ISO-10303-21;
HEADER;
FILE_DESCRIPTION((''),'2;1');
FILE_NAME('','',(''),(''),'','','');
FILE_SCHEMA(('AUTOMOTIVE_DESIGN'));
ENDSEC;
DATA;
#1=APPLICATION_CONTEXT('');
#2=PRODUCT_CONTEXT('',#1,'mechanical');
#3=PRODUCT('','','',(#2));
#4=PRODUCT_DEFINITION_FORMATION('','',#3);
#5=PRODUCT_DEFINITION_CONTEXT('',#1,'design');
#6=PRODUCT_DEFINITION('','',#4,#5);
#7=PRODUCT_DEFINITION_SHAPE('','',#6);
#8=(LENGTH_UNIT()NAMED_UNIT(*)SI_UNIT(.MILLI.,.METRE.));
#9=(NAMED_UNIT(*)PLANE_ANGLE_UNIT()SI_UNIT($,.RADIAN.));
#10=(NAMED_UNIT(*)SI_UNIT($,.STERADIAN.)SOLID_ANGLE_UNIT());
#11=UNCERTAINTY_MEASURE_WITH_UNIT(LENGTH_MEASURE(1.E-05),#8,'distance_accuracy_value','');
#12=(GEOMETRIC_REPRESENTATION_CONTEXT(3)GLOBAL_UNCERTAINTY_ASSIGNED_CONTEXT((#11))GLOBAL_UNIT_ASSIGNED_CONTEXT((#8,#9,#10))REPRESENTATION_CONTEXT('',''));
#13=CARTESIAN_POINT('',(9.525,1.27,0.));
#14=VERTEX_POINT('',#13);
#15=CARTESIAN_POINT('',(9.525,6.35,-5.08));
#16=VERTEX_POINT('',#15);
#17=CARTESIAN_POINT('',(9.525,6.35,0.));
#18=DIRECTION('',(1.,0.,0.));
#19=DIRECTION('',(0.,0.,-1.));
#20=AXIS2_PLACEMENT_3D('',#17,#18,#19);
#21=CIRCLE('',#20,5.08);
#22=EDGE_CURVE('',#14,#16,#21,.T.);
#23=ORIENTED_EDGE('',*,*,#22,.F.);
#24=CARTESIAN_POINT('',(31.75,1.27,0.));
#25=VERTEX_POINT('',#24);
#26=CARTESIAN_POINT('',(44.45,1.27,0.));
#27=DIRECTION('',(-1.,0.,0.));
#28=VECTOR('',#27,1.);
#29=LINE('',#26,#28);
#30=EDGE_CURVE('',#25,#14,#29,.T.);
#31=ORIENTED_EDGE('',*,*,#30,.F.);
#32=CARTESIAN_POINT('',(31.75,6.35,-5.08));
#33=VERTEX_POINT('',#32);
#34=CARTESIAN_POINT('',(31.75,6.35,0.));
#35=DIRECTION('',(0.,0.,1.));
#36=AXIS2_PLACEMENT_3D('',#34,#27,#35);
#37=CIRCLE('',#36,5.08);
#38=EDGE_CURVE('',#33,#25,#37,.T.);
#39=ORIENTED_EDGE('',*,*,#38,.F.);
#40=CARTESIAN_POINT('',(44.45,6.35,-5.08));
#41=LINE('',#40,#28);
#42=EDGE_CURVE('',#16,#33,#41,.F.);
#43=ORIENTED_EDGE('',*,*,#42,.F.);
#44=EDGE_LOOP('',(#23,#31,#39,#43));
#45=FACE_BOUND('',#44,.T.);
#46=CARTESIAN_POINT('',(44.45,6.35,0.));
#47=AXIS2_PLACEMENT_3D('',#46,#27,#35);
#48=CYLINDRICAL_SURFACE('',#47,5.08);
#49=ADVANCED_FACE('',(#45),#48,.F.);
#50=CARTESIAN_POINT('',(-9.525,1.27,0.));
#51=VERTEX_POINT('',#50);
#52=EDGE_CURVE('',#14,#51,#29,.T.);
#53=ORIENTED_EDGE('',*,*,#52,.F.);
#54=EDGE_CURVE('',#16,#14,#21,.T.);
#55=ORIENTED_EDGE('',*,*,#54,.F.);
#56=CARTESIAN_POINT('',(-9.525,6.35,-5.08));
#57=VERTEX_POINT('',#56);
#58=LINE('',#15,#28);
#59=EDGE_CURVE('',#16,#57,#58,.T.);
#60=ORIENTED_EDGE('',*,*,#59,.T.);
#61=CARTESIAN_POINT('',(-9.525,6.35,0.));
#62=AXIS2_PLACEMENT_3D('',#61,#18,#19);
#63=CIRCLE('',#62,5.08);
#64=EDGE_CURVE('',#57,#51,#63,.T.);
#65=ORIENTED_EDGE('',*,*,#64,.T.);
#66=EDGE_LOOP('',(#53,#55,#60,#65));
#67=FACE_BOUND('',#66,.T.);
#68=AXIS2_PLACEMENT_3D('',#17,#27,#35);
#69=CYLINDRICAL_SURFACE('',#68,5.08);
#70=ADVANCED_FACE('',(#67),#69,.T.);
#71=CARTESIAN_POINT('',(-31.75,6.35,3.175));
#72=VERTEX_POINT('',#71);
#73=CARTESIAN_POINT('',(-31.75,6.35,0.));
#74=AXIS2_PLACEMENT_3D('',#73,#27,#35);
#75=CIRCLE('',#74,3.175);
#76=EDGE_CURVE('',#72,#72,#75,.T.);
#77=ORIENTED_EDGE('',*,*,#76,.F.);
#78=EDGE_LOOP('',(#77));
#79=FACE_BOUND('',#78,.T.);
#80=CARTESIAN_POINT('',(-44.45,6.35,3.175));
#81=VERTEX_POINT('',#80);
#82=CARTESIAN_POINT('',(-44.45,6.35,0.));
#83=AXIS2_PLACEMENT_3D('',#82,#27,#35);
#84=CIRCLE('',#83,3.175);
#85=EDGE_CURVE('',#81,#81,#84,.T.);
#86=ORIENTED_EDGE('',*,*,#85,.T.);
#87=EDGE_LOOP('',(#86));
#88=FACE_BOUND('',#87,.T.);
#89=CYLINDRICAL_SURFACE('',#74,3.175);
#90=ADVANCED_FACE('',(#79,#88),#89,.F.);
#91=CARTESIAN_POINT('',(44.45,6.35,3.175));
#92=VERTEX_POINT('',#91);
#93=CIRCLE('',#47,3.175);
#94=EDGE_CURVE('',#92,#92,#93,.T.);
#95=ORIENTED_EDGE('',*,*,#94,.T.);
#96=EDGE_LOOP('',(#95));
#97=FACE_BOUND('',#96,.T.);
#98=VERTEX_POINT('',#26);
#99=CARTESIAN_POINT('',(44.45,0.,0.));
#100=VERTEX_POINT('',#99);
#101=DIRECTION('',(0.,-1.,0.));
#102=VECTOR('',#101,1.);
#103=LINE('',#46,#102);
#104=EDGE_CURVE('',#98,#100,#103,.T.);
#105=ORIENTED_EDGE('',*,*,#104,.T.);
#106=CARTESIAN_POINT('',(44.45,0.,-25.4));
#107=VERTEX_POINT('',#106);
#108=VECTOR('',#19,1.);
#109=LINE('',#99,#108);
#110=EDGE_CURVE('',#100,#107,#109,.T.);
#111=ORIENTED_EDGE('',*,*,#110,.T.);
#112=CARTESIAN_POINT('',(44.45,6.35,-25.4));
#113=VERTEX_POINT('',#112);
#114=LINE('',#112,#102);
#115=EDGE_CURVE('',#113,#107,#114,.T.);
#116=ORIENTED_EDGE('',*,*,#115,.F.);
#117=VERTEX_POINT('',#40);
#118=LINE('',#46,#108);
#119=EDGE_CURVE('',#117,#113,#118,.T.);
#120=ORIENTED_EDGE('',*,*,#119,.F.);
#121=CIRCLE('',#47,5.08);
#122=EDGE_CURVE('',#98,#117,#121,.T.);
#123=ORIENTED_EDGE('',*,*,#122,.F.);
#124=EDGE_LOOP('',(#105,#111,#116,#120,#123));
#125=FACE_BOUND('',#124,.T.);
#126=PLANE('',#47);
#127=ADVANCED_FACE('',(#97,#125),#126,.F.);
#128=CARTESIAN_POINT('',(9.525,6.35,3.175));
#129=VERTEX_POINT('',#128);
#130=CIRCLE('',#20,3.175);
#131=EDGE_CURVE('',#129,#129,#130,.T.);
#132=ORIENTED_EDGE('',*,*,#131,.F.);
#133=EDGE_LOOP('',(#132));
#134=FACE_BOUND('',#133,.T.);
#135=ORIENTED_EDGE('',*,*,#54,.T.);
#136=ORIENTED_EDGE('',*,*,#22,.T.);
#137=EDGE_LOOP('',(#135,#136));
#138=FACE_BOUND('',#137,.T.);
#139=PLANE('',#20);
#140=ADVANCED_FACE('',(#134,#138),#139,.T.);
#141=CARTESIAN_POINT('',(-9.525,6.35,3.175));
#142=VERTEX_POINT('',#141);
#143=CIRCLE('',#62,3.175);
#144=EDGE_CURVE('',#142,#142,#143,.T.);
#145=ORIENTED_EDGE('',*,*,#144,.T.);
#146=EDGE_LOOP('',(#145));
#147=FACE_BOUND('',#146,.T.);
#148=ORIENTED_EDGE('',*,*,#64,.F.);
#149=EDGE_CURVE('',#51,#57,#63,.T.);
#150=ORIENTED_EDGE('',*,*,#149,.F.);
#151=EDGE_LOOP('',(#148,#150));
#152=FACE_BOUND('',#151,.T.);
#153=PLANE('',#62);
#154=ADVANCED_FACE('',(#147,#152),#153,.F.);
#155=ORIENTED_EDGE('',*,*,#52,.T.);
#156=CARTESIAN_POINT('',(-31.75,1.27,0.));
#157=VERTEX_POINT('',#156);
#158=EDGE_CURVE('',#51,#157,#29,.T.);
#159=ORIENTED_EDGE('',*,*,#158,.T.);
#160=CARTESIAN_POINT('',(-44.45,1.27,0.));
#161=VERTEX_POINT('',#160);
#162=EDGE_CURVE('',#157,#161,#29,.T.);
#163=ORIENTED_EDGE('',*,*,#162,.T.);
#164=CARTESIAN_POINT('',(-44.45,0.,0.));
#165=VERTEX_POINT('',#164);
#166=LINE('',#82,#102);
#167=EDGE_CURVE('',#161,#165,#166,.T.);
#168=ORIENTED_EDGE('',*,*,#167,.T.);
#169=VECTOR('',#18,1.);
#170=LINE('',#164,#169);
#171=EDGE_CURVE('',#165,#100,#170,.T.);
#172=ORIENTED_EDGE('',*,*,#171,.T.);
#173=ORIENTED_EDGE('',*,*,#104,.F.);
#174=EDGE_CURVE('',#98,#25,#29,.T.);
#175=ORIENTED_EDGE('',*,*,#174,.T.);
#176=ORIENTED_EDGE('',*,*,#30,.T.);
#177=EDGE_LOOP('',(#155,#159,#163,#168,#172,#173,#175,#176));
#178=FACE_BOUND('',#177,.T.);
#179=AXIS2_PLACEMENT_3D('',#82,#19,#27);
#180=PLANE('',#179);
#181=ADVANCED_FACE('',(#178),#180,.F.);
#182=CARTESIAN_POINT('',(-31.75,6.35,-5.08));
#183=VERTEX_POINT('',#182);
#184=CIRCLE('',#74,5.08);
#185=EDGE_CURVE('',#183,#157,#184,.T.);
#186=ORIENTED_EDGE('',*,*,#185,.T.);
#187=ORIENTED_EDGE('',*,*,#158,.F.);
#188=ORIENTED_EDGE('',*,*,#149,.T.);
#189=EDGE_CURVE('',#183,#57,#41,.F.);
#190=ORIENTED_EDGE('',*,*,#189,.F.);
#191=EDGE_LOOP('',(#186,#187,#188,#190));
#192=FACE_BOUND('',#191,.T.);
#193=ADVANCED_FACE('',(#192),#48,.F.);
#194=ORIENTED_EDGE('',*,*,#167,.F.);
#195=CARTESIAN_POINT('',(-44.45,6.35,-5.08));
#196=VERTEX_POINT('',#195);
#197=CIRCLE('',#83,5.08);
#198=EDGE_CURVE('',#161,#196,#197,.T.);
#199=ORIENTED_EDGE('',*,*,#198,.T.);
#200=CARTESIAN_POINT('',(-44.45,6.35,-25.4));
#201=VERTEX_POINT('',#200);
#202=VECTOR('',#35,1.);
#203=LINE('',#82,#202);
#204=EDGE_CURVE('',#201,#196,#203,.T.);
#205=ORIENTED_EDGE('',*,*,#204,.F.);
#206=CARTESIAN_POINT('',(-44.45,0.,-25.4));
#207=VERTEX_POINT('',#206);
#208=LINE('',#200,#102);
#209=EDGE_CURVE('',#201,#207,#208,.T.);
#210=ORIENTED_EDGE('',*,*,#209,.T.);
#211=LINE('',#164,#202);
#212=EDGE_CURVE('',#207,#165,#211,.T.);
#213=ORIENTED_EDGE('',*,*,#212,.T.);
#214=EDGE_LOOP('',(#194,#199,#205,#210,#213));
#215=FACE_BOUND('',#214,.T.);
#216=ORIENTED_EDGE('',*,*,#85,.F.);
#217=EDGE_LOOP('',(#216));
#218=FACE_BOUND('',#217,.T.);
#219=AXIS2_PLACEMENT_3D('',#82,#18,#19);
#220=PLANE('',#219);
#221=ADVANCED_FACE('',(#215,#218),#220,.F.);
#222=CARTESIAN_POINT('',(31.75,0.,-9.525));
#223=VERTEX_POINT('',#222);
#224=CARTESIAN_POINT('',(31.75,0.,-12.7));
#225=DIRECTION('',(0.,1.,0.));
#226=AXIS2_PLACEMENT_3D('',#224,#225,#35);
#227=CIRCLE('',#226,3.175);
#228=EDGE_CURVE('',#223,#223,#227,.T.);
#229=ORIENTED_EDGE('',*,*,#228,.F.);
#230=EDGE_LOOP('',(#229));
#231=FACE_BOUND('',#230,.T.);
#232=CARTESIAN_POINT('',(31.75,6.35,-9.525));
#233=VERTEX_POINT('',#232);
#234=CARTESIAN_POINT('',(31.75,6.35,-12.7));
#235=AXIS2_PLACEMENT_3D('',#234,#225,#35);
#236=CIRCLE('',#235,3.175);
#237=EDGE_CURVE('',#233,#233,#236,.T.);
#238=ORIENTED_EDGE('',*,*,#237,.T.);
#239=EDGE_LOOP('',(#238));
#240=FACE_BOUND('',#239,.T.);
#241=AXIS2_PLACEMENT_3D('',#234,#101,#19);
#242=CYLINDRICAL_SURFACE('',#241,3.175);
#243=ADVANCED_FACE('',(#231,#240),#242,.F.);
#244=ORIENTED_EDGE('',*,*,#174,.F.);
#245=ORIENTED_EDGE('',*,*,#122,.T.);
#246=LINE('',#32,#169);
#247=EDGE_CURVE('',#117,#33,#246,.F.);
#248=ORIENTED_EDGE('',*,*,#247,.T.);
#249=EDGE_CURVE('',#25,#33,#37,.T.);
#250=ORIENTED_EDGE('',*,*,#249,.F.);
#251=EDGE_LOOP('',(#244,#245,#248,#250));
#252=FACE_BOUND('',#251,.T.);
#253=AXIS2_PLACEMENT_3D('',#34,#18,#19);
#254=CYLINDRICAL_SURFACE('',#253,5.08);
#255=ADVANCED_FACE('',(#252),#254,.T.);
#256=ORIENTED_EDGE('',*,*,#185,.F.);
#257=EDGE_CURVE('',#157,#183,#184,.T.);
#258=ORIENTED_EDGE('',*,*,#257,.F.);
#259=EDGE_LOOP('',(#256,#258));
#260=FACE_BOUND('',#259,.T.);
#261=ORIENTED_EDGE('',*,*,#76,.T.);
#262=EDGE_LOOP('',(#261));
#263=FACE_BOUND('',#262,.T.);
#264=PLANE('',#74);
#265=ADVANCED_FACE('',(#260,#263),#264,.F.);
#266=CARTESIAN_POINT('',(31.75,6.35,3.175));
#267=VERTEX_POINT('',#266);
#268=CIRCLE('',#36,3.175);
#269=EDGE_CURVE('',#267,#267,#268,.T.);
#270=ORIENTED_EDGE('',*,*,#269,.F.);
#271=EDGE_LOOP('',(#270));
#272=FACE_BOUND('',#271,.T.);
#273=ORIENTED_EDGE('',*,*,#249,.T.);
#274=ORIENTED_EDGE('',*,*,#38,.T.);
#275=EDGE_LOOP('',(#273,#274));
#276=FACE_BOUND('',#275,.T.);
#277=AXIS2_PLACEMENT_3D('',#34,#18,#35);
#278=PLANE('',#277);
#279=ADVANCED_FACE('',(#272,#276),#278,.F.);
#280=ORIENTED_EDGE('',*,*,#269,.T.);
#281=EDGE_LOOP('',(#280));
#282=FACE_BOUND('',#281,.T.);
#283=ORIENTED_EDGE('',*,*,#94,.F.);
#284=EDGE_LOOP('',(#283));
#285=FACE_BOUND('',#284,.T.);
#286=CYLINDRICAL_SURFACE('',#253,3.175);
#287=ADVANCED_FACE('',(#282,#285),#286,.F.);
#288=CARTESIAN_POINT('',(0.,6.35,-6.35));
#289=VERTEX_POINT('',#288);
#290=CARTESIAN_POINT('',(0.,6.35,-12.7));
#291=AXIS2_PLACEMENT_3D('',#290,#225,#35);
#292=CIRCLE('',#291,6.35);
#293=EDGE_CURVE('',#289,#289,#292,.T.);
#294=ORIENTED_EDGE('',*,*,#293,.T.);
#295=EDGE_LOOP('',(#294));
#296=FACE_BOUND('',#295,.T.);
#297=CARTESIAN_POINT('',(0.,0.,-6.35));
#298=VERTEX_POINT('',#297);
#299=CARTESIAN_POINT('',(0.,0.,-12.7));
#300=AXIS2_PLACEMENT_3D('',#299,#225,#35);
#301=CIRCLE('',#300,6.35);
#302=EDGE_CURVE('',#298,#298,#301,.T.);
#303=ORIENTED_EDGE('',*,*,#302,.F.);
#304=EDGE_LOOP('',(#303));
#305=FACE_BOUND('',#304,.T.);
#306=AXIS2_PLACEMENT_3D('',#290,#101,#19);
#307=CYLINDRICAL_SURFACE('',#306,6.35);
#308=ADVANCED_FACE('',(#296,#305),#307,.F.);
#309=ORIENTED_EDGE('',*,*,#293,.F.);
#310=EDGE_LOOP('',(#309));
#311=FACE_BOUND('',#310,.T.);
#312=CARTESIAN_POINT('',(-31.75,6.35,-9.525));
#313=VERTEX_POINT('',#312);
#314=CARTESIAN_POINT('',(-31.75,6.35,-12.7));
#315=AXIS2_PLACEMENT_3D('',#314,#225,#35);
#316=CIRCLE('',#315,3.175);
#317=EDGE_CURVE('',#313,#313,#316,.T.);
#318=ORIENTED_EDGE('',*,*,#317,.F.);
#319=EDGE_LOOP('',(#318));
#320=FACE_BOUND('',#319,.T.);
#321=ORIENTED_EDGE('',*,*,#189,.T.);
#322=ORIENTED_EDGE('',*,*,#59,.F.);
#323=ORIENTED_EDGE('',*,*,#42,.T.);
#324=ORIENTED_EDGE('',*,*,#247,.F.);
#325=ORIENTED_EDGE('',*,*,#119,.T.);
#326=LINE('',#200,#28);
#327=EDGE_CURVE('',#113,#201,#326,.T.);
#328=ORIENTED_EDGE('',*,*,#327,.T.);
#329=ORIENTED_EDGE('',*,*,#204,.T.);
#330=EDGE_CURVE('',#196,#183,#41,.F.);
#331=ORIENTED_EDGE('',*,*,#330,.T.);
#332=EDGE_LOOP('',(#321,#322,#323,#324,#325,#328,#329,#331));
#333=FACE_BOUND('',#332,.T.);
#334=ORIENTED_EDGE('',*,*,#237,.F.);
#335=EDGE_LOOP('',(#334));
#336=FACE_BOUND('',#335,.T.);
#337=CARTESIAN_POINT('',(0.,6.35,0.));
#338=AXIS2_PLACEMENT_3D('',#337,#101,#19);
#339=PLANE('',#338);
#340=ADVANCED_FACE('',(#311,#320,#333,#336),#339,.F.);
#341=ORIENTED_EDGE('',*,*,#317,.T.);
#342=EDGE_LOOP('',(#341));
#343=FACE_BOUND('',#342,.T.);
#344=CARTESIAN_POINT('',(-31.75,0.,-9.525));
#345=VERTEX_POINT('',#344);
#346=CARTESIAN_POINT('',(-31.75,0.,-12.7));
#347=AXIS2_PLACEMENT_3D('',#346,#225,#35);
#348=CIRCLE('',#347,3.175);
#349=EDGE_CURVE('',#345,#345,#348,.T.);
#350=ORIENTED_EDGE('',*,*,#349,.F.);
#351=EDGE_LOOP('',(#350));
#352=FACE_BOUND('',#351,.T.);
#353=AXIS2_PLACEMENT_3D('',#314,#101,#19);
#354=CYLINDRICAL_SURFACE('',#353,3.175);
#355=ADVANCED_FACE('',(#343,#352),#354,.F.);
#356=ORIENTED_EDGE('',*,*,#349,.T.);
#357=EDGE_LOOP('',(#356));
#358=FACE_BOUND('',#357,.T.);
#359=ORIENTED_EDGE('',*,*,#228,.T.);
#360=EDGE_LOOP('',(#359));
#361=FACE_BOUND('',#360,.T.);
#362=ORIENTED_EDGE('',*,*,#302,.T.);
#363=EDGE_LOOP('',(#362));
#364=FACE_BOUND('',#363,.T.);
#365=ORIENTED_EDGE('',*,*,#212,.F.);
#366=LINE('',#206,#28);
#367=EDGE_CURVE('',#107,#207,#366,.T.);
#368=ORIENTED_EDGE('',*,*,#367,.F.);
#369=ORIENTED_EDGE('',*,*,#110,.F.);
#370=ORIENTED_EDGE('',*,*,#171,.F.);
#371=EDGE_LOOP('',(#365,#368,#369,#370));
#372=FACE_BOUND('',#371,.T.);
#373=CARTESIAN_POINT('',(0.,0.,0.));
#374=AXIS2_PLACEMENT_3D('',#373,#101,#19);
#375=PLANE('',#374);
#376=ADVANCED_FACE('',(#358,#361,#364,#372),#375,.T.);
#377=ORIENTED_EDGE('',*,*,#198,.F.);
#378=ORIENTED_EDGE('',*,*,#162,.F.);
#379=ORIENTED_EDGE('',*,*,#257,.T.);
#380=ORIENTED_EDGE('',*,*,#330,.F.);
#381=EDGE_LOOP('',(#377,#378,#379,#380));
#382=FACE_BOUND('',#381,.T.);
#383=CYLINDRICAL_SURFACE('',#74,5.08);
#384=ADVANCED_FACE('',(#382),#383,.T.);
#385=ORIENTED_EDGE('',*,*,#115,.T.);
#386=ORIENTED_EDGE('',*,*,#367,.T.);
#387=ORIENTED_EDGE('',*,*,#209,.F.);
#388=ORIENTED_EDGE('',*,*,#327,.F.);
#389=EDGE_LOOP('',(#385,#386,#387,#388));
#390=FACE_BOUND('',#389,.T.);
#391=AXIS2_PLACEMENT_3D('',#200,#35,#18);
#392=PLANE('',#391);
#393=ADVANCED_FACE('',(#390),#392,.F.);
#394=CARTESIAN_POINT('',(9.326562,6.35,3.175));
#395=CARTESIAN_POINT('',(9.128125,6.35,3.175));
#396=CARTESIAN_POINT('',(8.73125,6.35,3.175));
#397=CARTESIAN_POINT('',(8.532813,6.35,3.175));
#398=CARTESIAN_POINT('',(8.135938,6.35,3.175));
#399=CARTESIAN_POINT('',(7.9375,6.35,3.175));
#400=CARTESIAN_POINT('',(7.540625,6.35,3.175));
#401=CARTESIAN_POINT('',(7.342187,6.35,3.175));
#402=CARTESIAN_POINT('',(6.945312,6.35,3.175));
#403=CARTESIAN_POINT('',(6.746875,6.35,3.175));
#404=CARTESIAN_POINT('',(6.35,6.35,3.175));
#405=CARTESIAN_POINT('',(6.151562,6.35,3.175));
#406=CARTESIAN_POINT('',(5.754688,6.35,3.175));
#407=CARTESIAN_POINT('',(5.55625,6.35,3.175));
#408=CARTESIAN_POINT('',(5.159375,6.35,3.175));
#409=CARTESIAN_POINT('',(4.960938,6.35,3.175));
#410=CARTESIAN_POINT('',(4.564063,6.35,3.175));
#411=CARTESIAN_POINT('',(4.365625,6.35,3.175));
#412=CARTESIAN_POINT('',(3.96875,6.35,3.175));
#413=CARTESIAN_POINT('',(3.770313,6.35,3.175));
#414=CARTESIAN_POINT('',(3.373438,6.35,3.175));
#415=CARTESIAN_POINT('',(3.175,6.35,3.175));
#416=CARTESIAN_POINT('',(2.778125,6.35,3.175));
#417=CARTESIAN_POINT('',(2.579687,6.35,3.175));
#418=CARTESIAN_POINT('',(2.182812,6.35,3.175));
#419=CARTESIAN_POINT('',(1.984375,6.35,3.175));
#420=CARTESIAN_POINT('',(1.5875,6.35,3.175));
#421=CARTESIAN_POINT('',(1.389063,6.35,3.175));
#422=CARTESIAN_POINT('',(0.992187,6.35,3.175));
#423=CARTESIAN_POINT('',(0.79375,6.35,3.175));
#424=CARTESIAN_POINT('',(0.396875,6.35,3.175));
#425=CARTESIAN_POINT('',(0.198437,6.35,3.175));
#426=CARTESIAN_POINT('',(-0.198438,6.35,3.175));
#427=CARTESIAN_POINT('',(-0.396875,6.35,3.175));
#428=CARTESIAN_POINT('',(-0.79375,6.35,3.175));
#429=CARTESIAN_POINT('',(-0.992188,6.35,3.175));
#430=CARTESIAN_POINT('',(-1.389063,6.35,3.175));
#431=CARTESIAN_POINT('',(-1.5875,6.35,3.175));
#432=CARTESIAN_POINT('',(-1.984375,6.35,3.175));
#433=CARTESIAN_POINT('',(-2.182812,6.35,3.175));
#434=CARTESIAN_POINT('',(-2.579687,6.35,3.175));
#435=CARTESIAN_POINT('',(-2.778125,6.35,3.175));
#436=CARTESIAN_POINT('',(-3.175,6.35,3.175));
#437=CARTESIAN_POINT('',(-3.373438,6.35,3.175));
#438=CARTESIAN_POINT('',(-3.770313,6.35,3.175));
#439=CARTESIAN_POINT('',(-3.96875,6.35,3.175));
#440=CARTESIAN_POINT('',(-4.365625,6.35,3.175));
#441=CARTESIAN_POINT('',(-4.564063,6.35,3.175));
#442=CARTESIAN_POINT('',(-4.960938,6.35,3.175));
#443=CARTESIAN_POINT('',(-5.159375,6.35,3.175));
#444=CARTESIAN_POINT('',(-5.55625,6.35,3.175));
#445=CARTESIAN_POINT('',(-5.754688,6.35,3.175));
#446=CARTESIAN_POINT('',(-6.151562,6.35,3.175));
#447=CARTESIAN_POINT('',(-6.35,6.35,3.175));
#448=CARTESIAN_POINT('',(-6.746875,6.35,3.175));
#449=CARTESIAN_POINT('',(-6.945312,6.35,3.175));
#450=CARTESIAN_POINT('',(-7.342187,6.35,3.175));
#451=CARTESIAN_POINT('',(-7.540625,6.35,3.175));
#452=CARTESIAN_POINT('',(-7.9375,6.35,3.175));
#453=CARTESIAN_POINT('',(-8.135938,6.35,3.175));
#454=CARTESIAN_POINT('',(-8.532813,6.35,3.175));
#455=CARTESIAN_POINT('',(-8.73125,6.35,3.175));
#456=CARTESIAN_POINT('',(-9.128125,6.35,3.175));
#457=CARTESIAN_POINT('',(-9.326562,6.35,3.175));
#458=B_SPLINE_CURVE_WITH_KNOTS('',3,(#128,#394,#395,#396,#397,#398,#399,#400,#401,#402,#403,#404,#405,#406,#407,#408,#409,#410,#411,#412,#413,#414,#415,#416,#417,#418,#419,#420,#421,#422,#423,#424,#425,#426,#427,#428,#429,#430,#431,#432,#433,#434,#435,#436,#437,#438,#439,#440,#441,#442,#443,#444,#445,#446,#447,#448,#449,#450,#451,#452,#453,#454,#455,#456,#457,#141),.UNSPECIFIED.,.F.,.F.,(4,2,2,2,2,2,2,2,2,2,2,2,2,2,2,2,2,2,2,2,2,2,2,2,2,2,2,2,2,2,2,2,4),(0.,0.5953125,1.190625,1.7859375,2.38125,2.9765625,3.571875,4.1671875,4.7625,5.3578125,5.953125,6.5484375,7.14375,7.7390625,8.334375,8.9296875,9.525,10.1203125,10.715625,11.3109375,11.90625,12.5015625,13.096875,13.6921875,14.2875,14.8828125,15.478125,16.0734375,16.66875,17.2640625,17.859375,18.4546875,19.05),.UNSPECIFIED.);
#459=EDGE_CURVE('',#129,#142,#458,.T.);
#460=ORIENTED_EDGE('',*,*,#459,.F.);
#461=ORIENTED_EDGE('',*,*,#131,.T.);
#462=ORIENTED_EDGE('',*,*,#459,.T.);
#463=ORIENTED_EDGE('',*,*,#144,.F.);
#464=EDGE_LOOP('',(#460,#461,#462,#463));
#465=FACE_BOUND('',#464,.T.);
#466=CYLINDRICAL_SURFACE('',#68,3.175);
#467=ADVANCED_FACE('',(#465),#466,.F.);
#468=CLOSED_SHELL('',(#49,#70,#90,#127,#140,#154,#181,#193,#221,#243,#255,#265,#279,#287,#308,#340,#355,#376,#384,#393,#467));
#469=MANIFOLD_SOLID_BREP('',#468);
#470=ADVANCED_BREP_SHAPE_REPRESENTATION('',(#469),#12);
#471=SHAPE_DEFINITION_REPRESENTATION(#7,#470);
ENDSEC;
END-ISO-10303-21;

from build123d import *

# Parameters (mm, degrees)
SKETCH2_W           = 88.9
SKETCH2_H           = 25.4
SKETCH2_R           = 3.175
SKETCH2_R_2         = 6.35
BOSS_EXTRUDE1_DEPTH = 6.35
SKETCH3_R           = 5.08
CUT_EXTRUDE1_DEPTH  = 93.675198948
SKETCH4_R           = 5.08
SKETCH4_R_2         = 3.175
BOSS_EXTRUDE2_DEPTH = 12.7
SKETCH5_R           = 5.08
SKETCH5_R_2         = 3.175
BOSS_EXTRUDE3_DEPTH = 9.525


with BuildPart() as part:
    # Sketch2 → Boss-Extrude1 (new body)
    with BuildSketch(Plane(origin=(0, 0, 0), x_dir=(1, 0, 0), z_dir=(0, 1, 0))):
        with Locations((0, 12.7)):
            Rectangle(SKETCH2_W, SKETCH2_H)
        with Locations(Location((-31.75, 12.7, 0), (0, 0, 270))):
            Circle(SKETCH2_R, mode=Mode.SUBTRACT)
        with Locations(Location((0, 12.7, 0), (0, 0, 270))):
            Circle(SKETCH2_R_2, mode=Mode.SUBTRACT)
        with Locations(Location((31.75, 12.7, 0), (0, 0, 270))):
            Circle(SKETCH2_R, mode=Mode.SUBTRACT)
    extrude(amount=BOSS_EXTRUDE1_DEPTH)

    # Sketch3 → Cut-Extrude1 (cut, through all)
    with BuildSketch(Plane.ZY.offset(44.45)):
        with Locations((0, 6.35)):
            Circle(SKETCH3_R)
    extrude(amount=-CUT_EXTRUDE1_DEPTH, mode=Mode.SUBTRACT)

    # Sketch4 → Boss-Extrude2 (add)
    with BuildSketch(Plane.ZY.offset(44.45)):
        with Locations((0, 6.35)):
            Circle(SKETCH4_R)
        with Locations((0, 6.35)):
            Circle(SKETCH4_R_2, mode=Mode.SUBTRACT)
    boss_extrude2 = extrude(amount=-BOSS_EXTRUDE2_DEPTH)

    # Mirror1: Boss-Extrude2 across plane
    add(boss_extrude2.mirror(Plane(origin=(0, 0, 0), x_dir=(0, 0, 1), z_dir=(1, 0, 0))))

    # Sketch5 → Boss-Extrude3 (add, symmetric)
    with BuildSketch(Plane(origin=(0, 0, 0), x_dir=(0, 0, -1), z_dir=(1, 0, 0))):
        with Locations((0, 6.35)):
            Circle(SKETCH5_R)
        with Locations(Location((0, 6.35, 0), (0, 0, 180))):
            Circle(SKETCH5_R_2, mode=Mode.SUBTRACT)
    extrude(amount=BOSS_EXTRUDE3_DEPTH, both=True)


solid = part.part
